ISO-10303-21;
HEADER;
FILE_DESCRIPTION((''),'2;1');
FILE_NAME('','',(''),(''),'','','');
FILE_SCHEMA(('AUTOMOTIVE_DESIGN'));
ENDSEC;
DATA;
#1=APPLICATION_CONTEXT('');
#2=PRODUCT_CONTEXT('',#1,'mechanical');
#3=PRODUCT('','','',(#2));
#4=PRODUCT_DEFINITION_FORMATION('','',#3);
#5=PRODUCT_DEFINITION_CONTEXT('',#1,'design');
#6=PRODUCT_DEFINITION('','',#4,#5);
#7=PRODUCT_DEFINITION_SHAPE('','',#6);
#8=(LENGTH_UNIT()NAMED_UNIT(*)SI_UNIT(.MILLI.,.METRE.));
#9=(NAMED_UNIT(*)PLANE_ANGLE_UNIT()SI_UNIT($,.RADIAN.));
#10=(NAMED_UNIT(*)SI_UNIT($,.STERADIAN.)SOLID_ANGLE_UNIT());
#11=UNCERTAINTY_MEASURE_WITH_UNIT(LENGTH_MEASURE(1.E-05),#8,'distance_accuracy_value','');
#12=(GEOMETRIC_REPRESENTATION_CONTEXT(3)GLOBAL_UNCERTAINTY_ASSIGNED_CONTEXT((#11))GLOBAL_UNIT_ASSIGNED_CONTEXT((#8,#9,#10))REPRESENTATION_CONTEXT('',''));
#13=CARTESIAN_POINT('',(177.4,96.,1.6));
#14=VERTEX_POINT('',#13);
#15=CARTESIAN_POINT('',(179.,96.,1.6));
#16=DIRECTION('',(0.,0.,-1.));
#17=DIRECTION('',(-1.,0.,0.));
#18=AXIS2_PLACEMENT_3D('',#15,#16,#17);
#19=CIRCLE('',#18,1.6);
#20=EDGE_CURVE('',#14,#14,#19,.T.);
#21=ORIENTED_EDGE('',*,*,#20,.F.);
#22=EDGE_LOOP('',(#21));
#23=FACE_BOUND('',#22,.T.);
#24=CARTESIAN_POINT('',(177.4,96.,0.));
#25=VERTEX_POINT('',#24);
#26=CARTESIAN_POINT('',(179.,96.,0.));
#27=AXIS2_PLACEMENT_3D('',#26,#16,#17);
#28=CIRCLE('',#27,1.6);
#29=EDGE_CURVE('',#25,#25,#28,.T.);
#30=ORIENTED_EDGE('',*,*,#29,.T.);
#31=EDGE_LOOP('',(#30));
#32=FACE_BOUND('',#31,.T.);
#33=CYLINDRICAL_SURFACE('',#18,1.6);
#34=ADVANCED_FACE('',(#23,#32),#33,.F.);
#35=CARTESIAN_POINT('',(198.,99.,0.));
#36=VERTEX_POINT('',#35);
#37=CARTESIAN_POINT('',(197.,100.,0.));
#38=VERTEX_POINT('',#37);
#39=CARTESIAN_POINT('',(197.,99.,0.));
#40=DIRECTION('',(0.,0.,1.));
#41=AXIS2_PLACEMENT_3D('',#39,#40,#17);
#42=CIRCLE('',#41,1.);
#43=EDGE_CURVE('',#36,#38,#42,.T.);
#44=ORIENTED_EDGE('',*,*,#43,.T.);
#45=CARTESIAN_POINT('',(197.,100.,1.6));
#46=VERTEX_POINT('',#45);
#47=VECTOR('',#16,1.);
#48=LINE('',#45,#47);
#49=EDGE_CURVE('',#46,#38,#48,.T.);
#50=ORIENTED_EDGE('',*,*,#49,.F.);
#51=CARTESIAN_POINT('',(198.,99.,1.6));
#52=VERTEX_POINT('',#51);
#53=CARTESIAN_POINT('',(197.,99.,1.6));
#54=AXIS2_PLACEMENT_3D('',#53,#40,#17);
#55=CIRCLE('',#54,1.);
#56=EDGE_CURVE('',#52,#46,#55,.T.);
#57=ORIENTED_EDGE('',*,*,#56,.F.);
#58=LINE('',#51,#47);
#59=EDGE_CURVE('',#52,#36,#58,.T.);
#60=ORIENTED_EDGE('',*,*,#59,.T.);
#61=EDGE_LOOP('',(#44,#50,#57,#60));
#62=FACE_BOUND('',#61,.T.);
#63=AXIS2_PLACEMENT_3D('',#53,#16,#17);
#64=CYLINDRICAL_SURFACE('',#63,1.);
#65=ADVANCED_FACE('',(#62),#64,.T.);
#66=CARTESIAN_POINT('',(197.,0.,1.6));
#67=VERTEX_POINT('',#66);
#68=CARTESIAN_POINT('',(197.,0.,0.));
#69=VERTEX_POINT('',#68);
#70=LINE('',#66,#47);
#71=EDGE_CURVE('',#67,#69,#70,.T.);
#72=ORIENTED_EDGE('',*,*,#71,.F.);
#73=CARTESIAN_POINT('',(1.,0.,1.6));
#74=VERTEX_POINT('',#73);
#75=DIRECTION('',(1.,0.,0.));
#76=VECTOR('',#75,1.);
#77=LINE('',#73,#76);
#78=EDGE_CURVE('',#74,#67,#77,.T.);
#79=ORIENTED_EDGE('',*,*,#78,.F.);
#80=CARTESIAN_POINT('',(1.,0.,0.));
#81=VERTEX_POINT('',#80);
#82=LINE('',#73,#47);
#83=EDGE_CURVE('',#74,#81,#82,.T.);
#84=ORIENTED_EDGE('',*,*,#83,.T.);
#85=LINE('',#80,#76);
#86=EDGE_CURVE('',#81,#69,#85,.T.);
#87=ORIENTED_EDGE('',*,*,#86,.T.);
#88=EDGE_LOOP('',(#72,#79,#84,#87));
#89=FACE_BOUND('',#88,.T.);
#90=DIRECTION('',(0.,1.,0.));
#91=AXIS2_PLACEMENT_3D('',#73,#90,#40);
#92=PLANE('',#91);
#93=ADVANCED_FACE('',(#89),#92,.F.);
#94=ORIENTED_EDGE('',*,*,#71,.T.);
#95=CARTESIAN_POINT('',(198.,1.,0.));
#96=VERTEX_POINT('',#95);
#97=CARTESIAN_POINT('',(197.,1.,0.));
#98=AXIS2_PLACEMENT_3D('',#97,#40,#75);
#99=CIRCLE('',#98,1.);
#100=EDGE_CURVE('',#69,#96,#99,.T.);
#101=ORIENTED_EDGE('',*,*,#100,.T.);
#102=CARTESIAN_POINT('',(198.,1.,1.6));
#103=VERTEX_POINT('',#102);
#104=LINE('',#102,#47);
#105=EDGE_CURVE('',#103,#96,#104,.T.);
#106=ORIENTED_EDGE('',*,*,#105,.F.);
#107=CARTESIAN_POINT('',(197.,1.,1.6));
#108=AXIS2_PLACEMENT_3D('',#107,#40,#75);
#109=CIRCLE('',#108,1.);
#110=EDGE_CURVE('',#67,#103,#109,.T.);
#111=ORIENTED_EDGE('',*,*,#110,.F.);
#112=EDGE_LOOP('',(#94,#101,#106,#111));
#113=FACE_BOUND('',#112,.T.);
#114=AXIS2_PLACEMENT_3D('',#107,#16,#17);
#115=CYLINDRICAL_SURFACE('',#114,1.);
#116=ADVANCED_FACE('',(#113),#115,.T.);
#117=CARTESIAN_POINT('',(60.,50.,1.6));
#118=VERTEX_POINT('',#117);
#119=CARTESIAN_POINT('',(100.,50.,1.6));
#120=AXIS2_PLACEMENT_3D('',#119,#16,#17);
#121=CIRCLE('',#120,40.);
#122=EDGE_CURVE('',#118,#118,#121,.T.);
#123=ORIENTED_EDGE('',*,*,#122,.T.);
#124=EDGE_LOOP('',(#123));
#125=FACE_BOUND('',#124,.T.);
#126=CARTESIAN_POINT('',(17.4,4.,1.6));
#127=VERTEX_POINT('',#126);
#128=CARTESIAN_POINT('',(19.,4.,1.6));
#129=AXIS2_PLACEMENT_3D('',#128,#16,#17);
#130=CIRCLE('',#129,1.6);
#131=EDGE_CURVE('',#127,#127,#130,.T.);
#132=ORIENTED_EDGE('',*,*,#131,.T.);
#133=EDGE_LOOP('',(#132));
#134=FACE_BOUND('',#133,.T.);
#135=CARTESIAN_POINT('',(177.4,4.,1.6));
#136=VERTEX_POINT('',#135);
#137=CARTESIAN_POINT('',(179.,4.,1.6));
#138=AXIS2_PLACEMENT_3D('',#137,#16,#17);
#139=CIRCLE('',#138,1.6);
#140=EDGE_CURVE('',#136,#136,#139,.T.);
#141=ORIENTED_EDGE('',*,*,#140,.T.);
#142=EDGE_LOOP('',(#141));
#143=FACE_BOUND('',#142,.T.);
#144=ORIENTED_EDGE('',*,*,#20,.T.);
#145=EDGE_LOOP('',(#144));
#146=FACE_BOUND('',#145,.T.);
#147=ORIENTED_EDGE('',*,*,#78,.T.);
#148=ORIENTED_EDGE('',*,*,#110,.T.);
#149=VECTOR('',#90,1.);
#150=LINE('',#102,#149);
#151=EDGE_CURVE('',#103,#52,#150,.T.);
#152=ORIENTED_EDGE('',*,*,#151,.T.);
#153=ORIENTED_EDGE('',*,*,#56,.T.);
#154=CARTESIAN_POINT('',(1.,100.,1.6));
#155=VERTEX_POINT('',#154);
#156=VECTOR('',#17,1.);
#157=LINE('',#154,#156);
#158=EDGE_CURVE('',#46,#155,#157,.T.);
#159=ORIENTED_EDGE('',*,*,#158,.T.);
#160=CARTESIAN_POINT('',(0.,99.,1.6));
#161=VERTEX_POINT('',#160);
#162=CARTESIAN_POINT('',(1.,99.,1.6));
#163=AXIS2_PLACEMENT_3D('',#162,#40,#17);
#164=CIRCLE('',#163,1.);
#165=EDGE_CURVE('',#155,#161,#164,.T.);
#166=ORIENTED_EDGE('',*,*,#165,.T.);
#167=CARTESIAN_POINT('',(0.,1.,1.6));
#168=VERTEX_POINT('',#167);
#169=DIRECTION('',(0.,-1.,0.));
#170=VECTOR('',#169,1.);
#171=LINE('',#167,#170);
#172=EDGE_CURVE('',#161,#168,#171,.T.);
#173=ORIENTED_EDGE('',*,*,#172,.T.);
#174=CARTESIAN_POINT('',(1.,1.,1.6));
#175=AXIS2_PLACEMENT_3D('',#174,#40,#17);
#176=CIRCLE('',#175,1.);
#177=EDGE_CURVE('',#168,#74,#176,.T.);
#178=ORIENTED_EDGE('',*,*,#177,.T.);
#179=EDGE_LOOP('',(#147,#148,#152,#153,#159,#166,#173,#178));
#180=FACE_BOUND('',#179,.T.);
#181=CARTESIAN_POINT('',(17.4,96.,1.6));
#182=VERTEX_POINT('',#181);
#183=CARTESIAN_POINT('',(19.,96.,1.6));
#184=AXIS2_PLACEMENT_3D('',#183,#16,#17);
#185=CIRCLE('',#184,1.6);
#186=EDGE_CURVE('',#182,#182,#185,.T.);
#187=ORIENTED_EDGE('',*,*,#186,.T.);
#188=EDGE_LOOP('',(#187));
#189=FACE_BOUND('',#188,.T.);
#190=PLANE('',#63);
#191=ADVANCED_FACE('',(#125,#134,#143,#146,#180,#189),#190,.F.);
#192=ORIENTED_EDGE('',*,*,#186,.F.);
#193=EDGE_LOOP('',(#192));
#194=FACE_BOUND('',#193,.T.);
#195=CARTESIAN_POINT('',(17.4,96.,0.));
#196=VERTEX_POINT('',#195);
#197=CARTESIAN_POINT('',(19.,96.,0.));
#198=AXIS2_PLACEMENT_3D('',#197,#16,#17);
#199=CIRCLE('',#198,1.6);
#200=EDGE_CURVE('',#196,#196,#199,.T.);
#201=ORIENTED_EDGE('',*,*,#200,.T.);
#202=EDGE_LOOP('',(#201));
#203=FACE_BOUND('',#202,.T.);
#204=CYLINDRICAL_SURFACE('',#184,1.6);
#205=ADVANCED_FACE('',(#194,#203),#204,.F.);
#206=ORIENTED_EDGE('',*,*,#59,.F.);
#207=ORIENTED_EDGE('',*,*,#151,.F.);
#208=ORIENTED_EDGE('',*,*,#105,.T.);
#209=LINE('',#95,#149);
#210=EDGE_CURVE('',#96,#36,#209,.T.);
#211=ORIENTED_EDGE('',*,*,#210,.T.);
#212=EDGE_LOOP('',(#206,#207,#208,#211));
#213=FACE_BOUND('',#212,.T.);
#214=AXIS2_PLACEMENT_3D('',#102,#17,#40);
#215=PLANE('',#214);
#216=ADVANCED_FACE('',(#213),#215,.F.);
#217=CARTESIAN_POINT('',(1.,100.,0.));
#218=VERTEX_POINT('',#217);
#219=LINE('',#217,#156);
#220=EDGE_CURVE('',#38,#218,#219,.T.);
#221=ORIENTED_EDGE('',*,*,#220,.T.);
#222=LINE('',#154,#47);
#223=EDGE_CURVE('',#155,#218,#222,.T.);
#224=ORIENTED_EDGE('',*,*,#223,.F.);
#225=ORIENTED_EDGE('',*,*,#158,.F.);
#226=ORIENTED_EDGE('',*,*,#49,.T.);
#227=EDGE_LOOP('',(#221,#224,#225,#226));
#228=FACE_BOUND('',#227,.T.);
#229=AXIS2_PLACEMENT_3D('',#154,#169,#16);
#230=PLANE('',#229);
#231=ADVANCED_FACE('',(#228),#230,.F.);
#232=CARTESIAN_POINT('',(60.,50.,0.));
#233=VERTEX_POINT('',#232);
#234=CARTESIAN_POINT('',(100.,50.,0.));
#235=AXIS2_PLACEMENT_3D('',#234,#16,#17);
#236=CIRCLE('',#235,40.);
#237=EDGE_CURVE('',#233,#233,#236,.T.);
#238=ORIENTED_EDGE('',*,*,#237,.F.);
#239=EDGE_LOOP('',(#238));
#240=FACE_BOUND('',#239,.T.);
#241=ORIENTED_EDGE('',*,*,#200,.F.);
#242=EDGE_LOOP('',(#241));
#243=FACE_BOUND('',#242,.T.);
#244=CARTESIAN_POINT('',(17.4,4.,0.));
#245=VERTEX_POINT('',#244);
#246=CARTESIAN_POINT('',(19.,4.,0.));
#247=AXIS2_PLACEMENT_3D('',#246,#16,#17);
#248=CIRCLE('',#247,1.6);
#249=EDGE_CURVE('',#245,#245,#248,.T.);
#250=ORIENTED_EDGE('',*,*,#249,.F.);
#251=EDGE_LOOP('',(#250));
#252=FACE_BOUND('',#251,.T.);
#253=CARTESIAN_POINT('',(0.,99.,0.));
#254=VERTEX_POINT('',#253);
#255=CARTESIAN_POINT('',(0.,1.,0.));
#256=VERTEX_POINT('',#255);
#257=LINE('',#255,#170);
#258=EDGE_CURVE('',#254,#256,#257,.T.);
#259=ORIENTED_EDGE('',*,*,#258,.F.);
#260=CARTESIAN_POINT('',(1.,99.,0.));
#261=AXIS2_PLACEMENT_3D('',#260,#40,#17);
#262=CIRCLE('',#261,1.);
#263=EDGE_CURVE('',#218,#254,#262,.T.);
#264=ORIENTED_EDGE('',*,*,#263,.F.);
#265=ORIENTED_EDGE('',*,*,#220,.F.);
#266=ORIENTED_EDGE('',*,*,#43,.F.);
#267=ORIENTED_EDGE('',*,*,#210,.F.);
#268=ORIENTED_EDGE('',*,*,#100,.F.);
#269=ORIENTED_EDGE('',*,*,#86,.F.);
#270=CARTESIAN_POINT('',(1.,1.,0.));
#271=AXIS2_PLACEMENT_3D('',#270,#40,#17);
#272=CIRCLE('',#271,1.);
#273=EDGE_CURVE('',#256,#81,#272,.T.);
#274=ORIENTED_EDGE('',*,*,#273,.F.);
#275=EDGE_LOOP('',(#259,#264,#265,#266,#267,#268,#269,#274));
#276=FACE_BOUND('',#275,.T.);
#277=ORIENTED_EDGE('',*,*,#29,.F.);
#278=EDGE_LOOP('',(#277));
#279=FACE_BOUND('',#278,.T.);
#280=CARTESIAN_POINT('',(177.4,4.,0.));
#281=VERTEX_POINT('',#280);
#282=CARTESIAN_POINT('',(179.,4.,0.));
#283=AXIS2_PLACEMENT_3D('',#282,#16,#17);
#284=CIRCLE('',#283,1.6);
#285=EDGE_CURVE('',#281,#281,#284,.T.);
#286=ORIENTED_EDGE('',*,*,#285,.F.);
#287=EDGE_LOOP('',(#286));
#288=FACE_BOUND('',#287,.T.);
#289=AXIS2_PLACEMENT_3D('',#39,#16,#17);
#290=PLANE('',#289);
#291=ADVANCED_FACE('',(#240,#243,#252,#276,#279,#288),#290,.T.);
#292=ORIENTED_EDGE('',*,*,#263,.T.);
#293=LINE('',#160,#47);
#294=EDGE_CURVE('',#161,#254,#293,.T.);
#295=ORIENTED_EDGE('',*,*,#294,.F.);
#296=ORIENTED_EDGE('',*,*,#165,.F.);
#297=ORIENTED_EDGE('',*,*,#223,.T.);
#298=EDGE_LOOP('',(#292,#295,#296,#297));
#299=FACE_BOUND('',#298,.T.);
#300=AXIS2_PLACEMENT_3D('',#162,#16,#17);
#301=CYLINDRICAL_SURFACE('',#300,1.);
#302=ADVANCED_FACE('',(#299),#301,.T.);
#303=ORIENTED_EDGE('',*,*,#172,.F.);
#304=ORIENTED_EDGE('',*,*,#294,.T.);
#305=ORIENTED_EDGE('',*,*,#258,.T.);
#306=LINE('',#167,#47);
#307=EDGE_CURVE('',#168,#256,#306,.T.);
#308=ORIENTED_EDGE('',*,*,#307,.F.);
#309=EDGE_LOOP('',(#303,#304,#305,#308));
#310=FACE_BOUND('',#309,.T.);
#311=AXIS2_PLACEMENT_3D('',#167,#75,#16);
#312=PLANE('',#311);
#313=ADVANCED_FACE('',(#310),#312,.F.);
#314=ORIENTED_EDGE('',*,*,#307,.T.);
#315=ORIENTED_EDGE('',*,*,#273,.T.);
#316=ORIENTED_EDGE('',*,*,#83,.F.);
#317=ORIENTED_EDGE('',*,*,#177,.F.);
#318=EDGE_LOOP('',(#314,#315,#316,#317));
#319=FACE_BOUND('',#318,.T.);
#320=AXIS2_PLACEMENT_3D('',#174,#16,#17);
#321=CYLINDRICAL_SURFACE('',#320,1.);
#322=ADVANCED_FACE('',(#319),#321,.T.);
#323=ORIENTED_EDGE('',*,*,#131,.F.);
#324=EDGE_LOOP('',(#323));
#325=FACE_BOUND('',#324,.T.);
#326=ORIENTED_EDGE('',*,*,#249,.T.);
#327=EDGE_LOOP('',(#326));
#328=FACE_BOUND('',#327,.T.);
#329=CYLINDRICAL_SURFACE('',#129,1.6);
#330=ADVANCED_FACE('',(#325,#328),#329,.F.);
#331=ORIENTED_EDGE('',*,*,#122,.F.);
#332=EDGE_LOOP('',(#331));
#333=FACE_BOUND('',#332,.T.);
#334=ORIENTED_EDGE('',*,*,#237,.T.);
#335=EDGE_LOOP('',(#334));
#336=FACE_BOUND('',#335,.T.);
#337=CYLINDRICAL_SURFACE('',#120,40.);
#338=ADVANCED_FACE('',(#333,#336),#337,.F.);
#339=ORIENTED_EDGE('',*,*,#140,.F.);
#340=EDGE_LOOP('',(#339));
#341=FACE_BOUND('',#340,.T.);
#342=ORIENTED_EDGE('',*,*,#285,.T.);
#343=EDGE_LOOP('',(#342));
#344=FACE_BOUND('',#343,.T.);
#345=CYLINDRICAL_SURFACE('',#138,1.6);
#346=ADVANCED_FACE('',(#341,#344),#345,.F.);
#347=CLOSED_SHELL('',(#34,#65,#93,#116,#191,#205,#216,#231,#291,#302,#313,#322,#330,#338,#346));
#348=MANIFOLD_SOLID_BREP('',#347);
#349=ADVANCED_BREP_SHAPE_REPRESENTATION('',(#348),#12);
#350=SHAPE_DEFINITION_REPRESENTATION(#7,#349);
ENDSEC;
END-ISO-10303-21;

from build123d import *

# Parameters (mm, degrees)
BOSS_EXTRU_1_DEPTH      = 1.6
ESQUISSE3_R             = 1.6
ESQUISSE3_R_2           = 40
ENL_V_MAT_EXTRU_1_DEPTH = 2.6


with BuildPart() as part:
    # Esquisse1 → Boss.-Extru.1 (new body)
    with BuildSketch(Plane.XY):
        with BuildLine():
            Line((1, 0), (197, 0))
            ThreePointArc((197, 0), (197.707106781, 0.292893219), (198, 1))
            Line((198, 1), (198, 99))
            ThreePointArc((198, 99), (197.707106781, 99.707106781), (197, 100))
            Line((197, 100), (1, 100))
            ThreePointArc((1, 100), (0.292893219, 99.707106781), (0, 99))
            Line((0, 99), (0, 1))
            ThreePointArc((0, 1), (0.292893219, 0.292893219), (1, 0))
        make_face()
    extrude(amount=BOSS_EXTRU_1_DEPTH)

    # Esquisse3 → Enlèv. mat.-Extru.1 (cut, through all)
    with BuildSketch(Plane(origin=(0, 0, 0), x_dir=(-1, 0, 0), z_dir=(0, 0, -1))):
        with Locations((-179, 96)):
            Circle(ESQUISSE3_R)
        with Locations((-179, 4)):
            Circle(ESQUISSE3_R)
        with Locations((-19, 4)):
            Circle(ESQUISSE3_R)
        with Locations((-19, 96)):
            Circle(ESQUISSE3_R)
        with Locations((-100, 50)):
            Circle(ESQUISSE3_R_2)
    extrude(amount=-ENL_V_MAT_EXTRU_1_DEPTH, mode=Mode.SUBTRACT)


solid = part.part
